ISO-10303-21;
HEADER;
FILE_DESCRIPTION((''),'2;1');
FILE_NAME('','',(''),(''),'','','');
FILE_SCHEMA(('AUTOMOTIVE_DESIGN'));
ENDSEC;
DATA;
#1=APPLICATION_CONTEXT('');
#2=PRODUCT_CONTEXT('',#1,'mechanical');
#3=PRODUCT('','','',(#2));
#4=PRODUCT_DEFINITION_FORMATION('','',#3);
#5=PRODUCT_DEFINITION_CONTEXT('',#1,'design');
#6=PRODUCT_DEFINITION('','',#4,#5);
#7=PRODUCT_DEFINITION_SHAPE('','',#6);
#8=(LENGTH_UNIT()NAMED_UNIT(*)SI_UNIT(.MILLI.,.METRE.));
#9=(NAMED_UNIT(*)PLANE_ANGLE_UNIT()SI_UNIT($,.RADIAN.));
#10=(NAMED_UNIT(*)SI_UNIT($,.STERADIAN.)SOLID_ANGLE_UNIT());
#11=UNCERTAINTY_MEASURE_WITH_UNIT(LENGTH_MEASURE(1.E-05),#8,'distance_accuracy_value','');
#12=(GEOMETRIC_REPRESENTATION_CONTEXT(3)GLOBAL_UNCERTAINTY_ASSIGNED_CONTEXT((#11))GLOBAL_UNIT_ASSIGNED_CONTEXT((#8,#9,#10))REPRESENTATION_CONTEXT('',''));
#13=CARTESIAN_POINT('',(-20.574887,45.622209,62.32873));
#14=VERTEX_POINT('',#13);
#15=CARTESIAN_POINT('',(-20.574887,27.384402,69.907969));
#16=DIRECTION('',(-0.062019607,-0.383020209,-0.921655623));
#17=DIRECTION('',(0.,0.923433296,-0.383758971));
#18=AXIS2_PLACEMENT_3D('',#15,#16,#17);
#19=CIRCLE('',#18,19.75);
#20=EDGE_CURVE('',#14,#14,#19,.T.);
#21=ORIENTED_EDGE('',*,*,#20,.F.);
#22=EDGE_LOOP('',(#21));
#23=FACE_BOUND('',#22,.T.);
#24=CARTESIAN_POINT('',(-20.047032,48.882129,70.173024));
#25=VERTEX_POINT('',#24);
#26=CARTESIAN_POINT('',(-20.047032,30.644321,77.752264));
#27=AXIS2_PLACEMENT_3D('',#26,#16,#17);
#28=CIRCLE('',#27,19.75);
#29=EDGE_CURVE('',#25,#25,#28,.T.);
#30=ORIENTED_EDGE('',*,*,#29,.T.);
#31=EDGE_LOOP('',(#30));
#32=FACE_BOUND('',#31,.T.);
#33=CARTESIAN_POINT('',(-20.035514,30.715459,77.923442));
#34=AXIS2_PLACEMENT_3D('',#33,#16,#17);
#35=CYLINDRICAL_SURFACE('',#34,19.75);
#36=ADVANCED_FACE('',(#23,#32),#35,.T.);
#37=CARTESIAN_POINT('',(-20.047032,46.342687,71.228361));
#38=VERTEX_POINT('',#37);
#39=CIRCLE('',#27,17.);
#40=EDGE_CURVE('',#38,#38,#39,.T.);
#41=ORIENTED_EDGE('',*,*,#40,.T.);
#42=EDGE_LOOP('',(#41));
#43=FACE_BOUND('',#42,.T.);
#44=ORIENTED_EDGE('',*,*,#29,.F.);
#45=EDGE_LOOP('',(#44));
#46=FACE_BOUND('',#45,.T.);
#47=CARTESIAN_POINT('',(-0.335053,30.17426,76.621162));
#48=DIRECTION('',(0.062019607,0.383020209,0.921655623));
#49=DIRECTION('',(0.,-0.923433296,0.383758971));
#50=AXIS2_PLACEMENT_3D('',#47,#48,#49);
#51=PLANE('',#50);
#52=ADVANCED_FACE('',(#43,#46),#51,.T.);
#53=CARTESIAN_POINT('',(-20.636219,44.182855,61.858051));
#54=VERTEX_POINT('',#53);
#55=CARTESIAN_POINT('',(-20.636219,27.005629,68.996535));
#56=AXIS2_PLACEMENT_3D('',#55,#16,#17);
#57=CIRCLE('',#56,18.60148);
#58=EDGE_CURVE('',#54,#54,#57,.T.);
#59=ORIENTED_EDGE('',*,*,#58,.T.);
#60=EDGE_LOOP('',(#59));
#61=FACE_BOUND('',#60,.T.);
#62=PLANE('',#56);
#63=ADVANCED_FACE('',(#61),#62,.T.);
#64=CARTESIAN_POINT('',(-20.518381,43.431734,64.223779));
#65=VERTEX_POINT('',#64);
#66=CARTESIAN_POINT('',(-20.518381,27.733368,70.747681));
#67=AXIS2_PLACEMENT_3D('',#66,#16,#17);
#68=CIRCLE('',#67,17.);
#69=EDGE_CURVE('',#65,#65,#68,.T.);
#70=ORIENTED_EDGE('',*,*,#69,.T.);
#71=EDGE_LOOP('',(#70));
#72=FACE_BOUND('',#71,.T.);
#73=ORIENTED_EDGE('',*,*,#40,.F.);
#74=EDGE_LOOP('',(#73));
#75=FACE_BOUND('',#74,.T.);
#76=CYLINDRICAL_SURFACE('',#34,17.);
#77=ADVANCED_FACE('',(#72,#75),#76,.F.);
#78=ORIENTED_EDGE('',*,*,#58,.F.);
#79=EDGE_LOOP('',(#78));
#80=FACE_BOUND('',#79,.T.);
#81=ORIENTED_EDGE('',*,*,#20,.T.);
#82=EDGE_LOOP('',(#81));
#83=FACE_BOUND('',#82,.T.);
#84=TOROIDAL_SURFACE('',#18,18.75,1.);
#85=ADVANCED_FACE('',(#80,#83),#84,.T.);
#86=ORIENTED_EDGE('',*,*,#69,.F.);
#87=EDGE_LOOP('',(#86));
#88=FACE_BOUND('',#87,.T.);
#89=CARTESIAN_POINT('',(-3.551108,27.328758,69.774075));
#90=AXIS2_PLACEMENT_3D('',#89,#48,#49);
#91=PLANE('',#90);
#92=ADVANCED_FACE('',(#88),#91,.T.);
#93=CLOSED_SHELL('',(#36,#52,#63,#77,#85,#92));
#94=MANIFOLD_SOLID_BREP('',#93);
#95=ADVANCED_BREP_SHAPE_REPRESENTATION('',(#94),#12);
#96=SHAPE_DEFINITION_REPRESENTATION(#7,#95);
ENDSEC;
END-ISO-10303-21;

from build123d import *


with BuildPart() as part:
    # Esquisse1 → Révolution1 (revolve)
    with BuildSketch(Plane(origin=(0, -1.422218517, 0.591043356), x_dir=(1, 0, 0), z_dir=(0, -0.923433296037534, 0.3837589709300047)), mode=Mode.PRIVATE) as r_volution1_sk:
        with BuildLine():
            Line((-3.551107588, 74.919359713), (-20.518381419, 75.973693025))
            Line((-20.518381419, 75.973693025), (-20.636218671, 74.077350656))
            Line((-20.636218671, 74.077350656), (-2.070548178, 72.923694208))
            ThreePointArc((-2.070548178, 72.923694208), (-1.256749054, 73.104680894), (-0.86290701, 73.839469055))
            Line((-0.86290701, 73.839469055), (-0.335052517, 82.334175273))
            Line((-0.335052517, 82.334175273), (-3.079758578, 82.504729191))
            Line((-3.079758578, 82.504729191), (-3.551107588, 74.919359713))
        make_face()
    revolve(r_volution1_sk.sketch.rotate(Axis((-20.035513574, 30.715459255, 77.923441971), (-0.06201960656726773, -0.38302020852975566, -0.9216556234619653)), 270), axis=Axis((-20.035513574, 30.715459255, 77.923441971), (-0.06201960656726773, -0.38302020852975566, -0.9216556234619653)))


solid = part.part
